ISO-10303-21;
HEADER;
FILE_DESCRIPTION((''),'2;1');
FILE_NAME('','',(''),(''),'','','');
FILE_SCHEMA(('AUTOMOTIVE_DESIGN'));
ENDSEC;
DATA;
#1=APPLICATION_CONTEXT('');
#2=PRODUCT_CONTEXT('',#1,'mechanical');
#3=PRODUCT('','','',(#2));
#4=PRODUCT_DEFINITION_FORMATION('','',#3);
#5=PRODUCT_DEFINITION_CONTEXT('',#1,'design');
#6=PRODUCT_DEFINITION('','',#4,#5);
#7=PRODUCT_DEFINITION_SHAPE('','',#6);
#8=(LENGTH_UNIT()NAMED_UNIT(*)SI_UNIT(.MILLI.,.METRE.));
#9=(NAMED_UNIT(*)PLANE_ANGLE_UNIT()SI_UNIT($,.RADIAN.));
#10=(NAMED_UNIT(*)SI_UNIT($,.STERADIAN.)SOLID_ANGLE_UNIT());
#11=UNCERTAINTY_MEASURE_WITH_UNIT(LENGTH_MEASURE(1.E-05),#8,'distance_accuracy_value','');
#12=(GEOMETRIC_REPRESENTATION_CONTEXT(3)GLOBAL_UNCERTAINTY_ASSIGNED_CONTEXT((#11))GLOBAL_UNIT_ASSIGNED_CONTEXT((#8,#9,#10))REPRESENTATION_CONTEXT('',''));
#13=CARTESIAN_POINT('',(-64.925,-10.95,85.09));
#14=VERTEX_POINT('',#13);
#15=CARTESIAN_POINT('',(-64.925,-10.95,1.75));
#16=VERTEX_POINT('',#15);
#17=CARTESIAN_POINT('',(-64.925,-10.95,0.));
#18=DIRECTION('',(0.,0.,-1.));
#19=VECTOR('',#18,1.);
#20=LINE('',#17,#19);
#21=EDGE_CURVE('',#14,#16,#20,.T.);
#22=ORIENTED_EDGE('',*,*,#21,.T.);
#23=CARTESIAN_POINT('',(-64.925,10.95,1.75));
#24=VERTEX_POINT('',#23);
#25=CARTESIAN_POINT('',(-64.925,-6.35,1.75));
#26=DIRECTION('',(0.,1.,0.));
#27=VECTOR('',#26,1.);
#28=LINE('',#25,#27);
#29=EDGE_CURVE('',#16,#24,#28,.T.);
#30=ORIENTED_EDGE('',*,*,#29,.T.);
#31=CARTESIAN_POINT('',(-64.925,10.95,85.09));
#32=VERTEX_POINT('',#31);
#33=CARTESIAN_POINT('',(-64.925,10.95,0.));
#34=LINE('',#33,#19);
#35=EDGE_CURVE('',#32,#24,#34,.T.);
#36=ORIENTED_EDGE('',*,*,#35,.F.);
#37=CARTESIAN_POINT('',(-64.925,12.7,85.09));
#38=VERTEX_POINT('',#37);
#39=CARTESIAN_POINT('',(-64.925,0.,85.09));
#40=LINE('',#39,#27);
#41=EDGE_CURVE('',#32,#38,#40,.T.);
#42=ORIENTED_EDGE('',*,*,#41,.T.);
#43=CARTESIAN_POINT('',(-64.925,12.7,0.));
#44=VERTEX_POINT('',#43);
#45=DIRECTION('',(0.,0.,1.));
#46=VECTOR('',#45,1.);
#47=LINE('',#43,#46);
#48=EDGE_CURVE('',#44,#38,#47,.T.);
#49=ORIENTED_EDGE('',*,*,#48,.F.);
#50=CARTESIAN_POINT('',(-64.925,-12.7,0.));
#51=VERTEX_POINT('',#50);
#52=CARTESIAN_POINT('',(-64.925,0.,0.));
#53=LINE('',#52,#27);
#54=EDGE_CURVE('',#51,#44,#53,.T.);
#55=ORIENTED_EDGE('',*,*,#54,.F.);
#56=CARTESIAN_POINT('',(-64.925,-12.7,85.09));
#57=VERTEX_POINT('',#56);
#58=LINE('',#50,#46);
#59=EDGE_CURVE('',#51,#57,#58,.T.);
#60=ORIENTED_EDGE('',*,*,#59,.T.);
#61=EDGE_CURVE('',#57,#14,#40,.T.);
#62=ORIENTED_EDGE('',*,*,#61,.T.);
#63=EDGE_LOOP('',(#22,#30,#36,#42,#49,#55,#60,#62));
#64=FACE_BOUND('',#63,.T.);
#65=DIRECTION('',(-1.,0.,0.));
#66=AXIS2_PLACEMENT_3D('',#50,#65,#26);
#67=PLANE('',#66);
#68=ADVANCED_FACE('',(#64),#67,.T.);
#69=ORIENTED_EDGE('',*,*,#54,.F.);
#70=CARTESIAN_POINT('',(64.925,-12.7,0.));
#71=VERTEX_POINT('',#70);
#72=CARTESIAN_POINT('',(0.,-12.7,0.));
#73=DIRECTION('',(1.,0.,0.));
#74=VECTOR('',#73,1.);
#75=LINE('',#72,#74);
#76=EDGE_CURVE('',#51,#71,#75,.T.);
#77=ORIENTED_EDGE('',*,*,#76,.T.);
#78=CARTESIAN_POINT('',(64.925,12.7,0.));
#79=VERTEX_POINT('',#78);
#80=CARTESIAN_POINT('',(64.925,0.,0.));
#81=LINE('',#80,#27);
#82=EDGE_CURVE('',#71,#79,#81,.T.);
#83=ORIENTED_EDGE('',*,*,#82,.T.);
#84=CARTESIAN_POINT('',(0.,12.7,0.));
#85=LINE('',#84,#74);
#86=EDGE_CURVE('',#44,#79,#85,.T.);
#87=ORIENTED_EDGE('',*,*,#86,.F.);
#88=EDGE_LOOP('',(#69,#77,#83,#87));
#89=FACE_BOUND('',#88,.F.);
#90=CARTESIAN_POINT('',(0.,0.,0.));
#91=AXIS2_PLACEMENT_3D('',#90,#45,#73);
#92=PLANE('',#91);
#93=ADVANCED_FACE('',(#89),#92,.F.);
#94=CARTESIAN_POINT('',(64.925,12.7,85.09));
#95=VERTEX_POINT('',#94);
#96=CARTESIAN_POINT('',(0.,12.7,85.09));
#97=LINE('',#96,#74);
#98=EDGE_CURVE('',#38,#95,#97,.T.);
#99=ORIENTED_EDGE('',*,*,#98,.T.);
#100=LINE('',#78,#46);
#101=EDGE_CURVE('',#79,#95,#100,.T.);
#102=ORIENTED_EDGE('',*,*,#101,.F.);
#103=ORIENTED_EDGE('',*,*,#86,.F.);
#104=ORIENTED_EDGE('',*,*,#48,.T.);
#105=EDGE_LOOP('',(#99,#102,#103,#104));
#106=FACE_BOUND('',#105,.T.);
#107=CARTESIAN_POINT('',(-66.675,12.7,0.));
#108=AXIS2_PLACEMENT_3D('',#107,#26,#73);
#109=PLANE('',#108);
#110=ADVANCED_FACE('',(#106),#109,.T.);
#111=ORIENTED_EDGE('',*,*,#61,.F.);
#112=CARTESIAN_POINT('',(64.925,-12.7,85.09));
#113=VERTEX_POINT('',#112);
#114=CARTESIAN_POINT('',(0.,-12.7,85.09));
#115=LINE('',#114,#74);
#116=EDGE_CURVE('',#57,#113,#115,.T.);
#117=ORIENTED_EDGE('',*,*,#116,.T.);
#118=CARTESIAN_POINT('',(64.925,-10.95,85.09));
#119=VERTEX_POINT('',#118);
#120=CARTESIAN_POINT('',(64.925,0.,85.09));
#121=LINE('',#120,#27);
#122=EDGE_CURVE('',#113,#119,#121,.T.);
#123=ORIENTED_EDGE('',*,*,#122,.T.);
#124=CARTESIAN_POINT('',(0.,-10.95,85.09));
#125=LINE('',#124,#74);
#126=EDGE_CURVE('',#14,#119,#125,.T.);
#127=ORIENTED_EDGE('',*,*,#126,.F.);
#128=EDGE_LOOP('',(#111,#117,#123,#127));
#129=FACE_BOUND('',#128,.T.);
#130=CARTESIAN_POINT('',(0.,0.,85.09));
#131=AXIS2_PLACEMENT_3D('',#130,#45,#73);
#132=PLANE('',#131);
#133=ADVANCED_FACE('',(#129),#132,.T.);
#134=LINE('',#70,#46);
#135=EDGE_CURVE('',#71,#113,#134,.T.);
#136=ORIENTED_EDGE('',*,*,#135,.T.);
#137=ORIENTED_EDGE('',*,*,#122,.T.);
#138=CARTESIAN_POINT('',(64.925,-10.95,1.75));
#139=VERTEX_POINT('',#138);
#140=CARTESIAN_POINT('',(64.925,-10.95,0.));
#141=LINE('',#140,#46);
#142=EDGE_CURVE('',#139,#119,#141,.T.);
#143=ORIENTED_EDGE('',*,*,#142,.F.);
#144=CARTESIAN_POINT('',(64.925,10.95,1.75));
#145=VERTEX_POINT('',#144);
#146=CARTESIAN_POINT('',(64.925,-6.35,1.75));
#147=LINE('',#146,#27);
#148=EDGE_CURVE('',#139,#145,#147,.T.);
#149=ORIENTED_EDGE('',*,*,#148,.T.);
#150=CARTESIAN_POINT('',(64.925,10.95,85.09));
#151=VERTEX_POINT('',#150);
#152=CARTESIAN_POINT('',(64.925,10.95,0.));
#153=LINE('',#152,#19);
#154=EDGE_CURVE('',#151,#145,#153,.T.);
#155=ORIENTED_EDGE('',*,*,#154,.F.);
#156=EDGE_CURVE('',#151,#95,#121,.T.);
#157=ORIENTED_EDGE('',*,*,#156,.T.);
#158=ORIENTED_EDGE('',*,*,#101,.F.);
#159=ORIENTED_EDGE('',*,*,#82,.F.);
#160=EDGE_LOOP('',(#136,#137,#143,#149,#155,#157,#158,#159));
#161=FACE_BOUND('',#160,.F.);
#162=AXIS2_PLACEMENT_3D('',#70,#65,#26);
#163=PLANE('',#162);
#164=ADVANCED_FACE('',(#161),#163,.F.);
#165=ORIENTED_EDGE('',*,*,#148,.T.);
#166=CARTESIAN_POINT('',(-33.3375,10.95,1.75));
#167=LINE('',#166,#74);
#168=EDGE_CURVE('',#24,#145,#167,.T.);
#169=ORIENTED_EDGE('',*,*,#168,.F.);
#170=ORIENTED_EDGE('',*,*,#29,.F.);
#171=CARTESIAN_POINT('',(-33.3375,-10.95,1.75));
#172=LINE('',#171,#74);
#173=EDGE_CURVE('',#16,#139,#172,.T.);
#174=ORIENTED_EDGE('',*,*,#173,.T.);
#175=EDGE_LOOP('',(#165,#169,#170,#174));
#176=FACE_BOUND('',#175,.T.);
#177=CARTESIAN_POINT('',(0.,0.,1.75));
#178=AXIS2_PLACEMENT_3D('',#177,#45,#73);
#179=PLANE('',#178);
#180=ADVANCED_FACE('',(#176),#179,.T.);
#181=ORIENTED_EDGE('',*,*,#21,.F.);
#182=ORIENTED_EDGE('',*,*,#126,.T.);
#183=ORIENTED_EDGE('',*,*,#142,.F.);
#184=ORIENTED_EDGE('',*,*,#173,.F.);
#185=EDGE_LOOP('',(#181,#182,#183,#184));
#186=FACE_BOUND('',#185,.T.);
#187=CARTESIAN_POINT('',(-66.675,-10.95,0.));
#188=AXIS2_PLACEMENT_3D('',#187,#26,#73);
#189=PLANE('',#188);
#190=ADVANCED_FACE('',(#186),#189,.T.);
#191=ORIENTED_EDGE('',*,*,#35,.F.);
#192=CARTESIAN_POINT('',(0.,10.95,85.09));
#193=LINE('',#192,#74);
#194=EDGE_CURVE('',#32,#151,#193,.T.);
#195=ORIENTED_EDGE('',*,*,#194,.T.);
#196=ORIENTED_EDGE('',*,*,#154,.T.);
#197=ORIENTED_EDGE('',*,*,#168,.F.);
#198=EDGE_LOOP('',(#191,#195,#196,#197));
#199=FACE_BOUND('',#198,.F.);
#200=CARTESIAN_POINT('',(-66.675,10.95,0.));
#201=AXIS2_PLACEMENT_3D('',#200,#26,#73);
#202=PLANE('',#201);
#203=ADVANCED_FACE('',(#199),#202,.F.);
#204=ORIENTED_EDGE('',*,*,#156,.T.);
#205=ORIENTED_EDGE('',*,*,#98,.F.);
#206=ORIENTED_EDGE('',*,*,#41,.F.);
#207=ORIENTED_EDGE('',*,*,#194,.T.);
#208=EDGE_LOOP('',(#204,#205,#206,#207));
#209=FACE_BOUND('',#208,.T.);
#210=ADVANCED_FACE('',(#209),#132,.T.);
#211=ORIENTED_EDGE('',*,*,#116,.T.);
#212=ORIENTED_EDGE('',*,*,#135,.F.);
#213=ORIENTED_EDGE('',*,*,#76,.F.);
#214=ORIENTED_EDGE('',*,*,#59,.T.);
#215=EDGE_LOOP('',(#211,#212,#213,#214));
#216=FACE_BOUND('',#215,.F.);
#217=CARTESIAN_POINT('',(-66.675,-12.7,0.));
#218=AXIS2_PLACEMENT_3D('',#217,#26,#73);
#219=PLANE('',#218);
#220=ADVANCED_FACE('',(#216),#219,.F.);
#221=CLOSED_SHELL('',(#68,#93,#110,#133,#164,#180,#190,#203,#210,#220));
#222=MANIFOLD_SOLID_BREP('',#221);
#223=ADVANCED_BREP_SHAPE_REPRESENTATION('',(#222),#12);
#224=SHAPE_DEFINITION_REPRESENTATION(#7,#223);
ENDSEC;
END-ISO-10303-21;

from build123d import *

# Parameters (mm, degrees)
F0_W     = 133.35
F0_H     = 25.4
F1_DEPTH = 85.09
F2_T     = -1.75
F3_DEPTH = 1.75
F4_DEPTH = 1.75


with BuildPart() as f1:
    # F0 (on Top) → F1 (new body)
    with BuildSketch(Plane.XY):
        Rectangle(F0_W, F0_H)
    extrude(amount=F1_DEPTH)

    # F2
    f2_openings = [f1.faces().sort_by_distance(p)[0] for p in [
        (0, 0, 85.09),
    ]]
    offset(amount=F2_T, openings=f2_openings)

    # F3 (cut): a face of the model
    f3_faces = [f1.faces().sort_by_distance(p)[0] for p in [
        (-66.675, 0, 42.545),
    ]]
    extrude(f3_faces, amount=-F3_DEPTH, mode=Mode.SUBTRACT)

    # F4 (cut): a face of the model
    f4_faces = [f1.faces().sort_by_distance(p)[0] for p in [
        (66.675, 0, 42.545),
    ]]
    extrude(f4_faces, amount=-F4_DEPTH, mode=Mode.SUBTRACT)


solid = f1.part
